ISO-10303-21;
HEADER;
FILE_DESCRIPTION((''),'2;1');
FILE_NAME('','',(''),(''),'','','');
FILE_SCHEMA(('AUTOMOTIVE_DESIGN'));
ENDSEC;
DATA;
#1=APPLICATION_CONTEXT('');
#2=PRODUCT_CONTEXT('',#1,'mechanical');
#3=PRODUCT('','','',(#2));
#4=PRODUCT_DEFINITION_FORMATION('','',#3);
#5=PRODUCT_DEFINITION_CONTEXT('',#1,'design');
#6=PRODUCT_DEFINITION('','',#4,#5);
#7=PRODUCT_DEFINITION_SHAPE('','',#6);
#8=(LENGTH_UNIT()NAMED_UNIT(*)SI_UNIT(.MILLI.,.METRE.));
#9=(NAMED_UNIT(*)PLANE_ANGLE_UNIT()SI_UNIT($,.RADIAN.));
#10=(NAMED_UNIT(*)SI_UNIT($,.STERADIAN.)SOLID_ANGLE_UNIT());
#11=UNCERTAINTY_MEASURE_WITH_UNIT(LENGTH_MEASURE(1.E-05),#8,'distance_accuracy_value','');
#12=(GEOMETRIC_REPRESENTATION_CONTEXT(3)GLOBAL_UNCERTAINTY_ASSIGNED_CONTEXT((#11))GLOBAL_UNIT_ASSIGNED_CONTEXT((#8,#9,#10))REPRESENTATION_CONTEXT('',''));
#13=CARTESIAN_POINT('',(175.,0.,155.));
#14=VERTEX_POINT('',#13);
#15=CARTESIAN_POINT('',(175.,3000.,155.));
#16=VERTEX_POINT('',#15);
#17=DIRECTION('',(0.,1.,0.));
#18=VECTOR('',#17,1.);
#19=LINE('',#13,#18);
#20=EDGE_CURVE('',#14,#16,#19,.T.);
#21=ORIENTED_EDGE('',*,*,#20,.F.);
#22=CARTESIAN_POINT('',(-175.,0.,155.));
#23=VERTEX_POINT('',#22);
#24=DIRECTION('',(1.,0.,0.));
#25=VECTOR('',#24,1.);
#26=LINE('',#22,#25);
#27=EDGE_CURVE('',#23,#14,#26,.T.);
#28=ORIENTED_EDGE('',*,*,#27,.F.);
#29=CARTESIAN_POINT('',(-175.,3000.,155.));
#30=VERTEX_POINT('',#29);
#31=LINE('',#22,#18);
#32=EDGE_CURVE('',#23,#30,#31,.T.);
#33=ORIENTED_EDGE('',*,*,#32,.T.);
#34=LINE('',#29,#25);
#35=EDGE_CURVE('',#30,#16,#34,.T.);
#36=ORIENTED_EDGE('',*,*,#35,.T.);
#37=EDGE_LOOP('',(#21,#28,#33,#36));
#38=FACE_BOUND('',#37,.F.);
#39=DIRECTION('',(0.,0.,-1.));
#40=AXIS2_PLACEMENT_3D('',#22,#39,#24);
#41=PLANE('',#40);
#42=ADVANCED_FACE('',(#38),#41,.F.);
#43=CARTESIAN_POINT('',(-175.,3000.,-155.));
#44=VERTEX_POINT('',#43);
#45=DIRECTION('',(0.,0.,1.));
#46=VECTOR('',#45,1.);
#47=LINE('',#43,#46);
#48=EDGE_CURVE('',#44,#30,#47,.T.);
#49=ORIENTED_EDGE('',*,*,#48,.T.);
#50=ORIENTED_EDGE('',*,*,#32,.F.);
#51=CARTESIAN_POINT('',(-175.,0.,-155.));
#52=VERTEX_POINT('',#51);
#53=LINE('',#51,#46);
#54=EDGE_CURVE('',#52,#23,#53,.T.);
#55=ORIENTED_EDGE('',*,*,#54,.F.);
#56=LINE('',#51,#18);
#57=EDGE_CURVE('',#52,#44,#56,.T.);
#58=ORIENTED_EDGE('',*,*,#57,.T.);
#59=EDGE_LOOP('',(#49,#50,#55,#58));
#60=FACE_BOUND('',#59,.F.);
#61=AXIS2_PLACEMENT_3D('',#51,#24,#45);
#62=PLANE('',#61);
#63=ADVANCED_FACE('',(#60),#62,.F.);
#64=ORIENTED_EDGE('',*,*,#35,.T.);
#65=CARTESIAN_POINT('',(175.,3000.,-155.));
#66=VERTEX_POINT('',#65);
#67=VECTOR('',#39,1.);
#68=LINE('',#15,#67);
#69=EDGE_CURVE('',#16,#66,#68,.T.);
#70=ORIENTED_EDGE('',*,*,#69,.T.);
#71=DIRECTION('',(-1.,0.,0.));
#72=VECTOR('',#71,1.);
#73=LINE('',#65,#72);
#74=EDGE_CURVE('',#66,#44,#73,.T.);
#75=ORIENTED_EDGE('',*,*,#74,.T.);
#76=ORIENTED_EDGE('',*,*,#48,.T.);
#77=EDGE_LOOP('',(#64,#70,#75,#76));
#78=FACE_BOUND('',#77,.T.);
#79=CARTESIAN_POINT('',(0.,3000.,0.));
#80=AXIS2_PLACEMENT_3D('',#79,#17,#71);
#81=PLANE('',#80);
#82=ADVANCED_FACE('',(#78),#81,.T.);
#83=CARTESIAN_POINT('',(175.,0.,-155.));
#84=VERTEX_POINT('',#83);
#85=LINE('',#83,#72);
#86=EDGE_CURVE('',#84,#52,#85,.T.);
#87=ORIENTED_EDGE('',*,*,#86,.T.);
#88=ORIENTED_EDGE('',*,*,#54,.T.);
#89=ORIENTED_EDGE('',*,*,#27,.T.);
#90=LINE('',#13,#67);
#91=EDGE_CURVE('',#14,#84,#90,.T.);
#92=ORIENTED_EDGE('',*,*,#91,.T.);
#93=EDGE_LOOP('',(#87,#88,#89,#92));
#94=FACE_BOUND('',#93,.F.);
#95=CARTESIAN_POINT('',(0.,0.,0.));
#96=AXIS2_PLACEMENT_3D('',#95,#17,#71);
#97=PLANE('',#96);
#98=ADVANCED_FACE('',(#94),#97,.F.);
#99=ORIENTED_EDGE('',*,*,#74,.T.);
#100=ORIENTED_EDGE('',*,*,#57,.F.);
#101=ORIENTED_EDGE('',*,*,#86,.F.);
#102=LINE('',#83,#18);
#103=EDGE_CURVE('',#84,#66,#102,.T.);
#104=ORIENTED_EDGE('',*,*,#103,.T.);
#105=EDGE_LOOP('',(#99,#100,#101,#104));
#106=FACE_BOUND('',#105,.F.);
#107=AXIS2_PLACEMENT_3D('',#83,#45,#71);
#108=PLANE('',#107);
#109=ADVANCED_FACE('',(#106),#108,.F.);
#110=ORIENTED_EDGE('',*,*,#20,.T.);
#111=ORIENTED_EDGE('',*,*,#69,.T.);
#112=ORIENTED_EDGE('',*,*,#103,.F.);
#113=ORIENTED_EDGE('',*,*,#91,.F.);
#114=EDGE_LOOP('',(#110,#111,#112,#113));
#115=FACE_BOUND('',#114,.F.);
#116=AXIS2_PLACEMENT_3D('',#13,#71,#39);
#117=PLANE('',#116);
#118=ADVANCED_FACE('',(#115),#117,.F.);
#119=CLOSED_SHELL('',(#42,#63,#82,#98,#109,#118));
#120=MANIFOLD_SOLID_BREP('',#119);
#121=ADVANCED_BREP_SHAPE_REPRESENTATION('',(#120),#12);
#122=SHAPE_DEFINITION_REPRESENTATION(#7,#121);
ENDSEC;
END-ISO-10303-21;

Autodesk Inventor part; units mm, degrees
ref_plane "YZ Plane" through (0, 0, 0) normal (1, 0, 0) x (0, 1, 0)
ref_plane "XZ Plane" through (0, 0, 0) normal (0, 1, 0) x (-1, 0, 0)
ref_plane "XY Plane" through (0, 0, 0) normal (0, 0, 1) x (1, 0, 0)
sketch "Sketch1" plane through (0, 0, 0) normal (0, 1, 0) x (-1, 0, 0)
  line L0 (175, 155) -> (-175, 155)
  line L1 (-175, 155) -> (-175, -155)
  line L2 (-175, -155) -> (175, -155)
  line L3 (175, -155) -> (175, 155)
  line L4 (175, 155) -> (-175, -155) construction
  line L5 (-175, 155) -> (175, -155) construction
  point P0 (0, 0)
  dimension "d0" = 350
  dimension "d1" = 310
extrude "Extrusion1" add sketch "Sketch1" along normal blind 3000
properties part number "support_column_01" material "Wood (Maple)"
